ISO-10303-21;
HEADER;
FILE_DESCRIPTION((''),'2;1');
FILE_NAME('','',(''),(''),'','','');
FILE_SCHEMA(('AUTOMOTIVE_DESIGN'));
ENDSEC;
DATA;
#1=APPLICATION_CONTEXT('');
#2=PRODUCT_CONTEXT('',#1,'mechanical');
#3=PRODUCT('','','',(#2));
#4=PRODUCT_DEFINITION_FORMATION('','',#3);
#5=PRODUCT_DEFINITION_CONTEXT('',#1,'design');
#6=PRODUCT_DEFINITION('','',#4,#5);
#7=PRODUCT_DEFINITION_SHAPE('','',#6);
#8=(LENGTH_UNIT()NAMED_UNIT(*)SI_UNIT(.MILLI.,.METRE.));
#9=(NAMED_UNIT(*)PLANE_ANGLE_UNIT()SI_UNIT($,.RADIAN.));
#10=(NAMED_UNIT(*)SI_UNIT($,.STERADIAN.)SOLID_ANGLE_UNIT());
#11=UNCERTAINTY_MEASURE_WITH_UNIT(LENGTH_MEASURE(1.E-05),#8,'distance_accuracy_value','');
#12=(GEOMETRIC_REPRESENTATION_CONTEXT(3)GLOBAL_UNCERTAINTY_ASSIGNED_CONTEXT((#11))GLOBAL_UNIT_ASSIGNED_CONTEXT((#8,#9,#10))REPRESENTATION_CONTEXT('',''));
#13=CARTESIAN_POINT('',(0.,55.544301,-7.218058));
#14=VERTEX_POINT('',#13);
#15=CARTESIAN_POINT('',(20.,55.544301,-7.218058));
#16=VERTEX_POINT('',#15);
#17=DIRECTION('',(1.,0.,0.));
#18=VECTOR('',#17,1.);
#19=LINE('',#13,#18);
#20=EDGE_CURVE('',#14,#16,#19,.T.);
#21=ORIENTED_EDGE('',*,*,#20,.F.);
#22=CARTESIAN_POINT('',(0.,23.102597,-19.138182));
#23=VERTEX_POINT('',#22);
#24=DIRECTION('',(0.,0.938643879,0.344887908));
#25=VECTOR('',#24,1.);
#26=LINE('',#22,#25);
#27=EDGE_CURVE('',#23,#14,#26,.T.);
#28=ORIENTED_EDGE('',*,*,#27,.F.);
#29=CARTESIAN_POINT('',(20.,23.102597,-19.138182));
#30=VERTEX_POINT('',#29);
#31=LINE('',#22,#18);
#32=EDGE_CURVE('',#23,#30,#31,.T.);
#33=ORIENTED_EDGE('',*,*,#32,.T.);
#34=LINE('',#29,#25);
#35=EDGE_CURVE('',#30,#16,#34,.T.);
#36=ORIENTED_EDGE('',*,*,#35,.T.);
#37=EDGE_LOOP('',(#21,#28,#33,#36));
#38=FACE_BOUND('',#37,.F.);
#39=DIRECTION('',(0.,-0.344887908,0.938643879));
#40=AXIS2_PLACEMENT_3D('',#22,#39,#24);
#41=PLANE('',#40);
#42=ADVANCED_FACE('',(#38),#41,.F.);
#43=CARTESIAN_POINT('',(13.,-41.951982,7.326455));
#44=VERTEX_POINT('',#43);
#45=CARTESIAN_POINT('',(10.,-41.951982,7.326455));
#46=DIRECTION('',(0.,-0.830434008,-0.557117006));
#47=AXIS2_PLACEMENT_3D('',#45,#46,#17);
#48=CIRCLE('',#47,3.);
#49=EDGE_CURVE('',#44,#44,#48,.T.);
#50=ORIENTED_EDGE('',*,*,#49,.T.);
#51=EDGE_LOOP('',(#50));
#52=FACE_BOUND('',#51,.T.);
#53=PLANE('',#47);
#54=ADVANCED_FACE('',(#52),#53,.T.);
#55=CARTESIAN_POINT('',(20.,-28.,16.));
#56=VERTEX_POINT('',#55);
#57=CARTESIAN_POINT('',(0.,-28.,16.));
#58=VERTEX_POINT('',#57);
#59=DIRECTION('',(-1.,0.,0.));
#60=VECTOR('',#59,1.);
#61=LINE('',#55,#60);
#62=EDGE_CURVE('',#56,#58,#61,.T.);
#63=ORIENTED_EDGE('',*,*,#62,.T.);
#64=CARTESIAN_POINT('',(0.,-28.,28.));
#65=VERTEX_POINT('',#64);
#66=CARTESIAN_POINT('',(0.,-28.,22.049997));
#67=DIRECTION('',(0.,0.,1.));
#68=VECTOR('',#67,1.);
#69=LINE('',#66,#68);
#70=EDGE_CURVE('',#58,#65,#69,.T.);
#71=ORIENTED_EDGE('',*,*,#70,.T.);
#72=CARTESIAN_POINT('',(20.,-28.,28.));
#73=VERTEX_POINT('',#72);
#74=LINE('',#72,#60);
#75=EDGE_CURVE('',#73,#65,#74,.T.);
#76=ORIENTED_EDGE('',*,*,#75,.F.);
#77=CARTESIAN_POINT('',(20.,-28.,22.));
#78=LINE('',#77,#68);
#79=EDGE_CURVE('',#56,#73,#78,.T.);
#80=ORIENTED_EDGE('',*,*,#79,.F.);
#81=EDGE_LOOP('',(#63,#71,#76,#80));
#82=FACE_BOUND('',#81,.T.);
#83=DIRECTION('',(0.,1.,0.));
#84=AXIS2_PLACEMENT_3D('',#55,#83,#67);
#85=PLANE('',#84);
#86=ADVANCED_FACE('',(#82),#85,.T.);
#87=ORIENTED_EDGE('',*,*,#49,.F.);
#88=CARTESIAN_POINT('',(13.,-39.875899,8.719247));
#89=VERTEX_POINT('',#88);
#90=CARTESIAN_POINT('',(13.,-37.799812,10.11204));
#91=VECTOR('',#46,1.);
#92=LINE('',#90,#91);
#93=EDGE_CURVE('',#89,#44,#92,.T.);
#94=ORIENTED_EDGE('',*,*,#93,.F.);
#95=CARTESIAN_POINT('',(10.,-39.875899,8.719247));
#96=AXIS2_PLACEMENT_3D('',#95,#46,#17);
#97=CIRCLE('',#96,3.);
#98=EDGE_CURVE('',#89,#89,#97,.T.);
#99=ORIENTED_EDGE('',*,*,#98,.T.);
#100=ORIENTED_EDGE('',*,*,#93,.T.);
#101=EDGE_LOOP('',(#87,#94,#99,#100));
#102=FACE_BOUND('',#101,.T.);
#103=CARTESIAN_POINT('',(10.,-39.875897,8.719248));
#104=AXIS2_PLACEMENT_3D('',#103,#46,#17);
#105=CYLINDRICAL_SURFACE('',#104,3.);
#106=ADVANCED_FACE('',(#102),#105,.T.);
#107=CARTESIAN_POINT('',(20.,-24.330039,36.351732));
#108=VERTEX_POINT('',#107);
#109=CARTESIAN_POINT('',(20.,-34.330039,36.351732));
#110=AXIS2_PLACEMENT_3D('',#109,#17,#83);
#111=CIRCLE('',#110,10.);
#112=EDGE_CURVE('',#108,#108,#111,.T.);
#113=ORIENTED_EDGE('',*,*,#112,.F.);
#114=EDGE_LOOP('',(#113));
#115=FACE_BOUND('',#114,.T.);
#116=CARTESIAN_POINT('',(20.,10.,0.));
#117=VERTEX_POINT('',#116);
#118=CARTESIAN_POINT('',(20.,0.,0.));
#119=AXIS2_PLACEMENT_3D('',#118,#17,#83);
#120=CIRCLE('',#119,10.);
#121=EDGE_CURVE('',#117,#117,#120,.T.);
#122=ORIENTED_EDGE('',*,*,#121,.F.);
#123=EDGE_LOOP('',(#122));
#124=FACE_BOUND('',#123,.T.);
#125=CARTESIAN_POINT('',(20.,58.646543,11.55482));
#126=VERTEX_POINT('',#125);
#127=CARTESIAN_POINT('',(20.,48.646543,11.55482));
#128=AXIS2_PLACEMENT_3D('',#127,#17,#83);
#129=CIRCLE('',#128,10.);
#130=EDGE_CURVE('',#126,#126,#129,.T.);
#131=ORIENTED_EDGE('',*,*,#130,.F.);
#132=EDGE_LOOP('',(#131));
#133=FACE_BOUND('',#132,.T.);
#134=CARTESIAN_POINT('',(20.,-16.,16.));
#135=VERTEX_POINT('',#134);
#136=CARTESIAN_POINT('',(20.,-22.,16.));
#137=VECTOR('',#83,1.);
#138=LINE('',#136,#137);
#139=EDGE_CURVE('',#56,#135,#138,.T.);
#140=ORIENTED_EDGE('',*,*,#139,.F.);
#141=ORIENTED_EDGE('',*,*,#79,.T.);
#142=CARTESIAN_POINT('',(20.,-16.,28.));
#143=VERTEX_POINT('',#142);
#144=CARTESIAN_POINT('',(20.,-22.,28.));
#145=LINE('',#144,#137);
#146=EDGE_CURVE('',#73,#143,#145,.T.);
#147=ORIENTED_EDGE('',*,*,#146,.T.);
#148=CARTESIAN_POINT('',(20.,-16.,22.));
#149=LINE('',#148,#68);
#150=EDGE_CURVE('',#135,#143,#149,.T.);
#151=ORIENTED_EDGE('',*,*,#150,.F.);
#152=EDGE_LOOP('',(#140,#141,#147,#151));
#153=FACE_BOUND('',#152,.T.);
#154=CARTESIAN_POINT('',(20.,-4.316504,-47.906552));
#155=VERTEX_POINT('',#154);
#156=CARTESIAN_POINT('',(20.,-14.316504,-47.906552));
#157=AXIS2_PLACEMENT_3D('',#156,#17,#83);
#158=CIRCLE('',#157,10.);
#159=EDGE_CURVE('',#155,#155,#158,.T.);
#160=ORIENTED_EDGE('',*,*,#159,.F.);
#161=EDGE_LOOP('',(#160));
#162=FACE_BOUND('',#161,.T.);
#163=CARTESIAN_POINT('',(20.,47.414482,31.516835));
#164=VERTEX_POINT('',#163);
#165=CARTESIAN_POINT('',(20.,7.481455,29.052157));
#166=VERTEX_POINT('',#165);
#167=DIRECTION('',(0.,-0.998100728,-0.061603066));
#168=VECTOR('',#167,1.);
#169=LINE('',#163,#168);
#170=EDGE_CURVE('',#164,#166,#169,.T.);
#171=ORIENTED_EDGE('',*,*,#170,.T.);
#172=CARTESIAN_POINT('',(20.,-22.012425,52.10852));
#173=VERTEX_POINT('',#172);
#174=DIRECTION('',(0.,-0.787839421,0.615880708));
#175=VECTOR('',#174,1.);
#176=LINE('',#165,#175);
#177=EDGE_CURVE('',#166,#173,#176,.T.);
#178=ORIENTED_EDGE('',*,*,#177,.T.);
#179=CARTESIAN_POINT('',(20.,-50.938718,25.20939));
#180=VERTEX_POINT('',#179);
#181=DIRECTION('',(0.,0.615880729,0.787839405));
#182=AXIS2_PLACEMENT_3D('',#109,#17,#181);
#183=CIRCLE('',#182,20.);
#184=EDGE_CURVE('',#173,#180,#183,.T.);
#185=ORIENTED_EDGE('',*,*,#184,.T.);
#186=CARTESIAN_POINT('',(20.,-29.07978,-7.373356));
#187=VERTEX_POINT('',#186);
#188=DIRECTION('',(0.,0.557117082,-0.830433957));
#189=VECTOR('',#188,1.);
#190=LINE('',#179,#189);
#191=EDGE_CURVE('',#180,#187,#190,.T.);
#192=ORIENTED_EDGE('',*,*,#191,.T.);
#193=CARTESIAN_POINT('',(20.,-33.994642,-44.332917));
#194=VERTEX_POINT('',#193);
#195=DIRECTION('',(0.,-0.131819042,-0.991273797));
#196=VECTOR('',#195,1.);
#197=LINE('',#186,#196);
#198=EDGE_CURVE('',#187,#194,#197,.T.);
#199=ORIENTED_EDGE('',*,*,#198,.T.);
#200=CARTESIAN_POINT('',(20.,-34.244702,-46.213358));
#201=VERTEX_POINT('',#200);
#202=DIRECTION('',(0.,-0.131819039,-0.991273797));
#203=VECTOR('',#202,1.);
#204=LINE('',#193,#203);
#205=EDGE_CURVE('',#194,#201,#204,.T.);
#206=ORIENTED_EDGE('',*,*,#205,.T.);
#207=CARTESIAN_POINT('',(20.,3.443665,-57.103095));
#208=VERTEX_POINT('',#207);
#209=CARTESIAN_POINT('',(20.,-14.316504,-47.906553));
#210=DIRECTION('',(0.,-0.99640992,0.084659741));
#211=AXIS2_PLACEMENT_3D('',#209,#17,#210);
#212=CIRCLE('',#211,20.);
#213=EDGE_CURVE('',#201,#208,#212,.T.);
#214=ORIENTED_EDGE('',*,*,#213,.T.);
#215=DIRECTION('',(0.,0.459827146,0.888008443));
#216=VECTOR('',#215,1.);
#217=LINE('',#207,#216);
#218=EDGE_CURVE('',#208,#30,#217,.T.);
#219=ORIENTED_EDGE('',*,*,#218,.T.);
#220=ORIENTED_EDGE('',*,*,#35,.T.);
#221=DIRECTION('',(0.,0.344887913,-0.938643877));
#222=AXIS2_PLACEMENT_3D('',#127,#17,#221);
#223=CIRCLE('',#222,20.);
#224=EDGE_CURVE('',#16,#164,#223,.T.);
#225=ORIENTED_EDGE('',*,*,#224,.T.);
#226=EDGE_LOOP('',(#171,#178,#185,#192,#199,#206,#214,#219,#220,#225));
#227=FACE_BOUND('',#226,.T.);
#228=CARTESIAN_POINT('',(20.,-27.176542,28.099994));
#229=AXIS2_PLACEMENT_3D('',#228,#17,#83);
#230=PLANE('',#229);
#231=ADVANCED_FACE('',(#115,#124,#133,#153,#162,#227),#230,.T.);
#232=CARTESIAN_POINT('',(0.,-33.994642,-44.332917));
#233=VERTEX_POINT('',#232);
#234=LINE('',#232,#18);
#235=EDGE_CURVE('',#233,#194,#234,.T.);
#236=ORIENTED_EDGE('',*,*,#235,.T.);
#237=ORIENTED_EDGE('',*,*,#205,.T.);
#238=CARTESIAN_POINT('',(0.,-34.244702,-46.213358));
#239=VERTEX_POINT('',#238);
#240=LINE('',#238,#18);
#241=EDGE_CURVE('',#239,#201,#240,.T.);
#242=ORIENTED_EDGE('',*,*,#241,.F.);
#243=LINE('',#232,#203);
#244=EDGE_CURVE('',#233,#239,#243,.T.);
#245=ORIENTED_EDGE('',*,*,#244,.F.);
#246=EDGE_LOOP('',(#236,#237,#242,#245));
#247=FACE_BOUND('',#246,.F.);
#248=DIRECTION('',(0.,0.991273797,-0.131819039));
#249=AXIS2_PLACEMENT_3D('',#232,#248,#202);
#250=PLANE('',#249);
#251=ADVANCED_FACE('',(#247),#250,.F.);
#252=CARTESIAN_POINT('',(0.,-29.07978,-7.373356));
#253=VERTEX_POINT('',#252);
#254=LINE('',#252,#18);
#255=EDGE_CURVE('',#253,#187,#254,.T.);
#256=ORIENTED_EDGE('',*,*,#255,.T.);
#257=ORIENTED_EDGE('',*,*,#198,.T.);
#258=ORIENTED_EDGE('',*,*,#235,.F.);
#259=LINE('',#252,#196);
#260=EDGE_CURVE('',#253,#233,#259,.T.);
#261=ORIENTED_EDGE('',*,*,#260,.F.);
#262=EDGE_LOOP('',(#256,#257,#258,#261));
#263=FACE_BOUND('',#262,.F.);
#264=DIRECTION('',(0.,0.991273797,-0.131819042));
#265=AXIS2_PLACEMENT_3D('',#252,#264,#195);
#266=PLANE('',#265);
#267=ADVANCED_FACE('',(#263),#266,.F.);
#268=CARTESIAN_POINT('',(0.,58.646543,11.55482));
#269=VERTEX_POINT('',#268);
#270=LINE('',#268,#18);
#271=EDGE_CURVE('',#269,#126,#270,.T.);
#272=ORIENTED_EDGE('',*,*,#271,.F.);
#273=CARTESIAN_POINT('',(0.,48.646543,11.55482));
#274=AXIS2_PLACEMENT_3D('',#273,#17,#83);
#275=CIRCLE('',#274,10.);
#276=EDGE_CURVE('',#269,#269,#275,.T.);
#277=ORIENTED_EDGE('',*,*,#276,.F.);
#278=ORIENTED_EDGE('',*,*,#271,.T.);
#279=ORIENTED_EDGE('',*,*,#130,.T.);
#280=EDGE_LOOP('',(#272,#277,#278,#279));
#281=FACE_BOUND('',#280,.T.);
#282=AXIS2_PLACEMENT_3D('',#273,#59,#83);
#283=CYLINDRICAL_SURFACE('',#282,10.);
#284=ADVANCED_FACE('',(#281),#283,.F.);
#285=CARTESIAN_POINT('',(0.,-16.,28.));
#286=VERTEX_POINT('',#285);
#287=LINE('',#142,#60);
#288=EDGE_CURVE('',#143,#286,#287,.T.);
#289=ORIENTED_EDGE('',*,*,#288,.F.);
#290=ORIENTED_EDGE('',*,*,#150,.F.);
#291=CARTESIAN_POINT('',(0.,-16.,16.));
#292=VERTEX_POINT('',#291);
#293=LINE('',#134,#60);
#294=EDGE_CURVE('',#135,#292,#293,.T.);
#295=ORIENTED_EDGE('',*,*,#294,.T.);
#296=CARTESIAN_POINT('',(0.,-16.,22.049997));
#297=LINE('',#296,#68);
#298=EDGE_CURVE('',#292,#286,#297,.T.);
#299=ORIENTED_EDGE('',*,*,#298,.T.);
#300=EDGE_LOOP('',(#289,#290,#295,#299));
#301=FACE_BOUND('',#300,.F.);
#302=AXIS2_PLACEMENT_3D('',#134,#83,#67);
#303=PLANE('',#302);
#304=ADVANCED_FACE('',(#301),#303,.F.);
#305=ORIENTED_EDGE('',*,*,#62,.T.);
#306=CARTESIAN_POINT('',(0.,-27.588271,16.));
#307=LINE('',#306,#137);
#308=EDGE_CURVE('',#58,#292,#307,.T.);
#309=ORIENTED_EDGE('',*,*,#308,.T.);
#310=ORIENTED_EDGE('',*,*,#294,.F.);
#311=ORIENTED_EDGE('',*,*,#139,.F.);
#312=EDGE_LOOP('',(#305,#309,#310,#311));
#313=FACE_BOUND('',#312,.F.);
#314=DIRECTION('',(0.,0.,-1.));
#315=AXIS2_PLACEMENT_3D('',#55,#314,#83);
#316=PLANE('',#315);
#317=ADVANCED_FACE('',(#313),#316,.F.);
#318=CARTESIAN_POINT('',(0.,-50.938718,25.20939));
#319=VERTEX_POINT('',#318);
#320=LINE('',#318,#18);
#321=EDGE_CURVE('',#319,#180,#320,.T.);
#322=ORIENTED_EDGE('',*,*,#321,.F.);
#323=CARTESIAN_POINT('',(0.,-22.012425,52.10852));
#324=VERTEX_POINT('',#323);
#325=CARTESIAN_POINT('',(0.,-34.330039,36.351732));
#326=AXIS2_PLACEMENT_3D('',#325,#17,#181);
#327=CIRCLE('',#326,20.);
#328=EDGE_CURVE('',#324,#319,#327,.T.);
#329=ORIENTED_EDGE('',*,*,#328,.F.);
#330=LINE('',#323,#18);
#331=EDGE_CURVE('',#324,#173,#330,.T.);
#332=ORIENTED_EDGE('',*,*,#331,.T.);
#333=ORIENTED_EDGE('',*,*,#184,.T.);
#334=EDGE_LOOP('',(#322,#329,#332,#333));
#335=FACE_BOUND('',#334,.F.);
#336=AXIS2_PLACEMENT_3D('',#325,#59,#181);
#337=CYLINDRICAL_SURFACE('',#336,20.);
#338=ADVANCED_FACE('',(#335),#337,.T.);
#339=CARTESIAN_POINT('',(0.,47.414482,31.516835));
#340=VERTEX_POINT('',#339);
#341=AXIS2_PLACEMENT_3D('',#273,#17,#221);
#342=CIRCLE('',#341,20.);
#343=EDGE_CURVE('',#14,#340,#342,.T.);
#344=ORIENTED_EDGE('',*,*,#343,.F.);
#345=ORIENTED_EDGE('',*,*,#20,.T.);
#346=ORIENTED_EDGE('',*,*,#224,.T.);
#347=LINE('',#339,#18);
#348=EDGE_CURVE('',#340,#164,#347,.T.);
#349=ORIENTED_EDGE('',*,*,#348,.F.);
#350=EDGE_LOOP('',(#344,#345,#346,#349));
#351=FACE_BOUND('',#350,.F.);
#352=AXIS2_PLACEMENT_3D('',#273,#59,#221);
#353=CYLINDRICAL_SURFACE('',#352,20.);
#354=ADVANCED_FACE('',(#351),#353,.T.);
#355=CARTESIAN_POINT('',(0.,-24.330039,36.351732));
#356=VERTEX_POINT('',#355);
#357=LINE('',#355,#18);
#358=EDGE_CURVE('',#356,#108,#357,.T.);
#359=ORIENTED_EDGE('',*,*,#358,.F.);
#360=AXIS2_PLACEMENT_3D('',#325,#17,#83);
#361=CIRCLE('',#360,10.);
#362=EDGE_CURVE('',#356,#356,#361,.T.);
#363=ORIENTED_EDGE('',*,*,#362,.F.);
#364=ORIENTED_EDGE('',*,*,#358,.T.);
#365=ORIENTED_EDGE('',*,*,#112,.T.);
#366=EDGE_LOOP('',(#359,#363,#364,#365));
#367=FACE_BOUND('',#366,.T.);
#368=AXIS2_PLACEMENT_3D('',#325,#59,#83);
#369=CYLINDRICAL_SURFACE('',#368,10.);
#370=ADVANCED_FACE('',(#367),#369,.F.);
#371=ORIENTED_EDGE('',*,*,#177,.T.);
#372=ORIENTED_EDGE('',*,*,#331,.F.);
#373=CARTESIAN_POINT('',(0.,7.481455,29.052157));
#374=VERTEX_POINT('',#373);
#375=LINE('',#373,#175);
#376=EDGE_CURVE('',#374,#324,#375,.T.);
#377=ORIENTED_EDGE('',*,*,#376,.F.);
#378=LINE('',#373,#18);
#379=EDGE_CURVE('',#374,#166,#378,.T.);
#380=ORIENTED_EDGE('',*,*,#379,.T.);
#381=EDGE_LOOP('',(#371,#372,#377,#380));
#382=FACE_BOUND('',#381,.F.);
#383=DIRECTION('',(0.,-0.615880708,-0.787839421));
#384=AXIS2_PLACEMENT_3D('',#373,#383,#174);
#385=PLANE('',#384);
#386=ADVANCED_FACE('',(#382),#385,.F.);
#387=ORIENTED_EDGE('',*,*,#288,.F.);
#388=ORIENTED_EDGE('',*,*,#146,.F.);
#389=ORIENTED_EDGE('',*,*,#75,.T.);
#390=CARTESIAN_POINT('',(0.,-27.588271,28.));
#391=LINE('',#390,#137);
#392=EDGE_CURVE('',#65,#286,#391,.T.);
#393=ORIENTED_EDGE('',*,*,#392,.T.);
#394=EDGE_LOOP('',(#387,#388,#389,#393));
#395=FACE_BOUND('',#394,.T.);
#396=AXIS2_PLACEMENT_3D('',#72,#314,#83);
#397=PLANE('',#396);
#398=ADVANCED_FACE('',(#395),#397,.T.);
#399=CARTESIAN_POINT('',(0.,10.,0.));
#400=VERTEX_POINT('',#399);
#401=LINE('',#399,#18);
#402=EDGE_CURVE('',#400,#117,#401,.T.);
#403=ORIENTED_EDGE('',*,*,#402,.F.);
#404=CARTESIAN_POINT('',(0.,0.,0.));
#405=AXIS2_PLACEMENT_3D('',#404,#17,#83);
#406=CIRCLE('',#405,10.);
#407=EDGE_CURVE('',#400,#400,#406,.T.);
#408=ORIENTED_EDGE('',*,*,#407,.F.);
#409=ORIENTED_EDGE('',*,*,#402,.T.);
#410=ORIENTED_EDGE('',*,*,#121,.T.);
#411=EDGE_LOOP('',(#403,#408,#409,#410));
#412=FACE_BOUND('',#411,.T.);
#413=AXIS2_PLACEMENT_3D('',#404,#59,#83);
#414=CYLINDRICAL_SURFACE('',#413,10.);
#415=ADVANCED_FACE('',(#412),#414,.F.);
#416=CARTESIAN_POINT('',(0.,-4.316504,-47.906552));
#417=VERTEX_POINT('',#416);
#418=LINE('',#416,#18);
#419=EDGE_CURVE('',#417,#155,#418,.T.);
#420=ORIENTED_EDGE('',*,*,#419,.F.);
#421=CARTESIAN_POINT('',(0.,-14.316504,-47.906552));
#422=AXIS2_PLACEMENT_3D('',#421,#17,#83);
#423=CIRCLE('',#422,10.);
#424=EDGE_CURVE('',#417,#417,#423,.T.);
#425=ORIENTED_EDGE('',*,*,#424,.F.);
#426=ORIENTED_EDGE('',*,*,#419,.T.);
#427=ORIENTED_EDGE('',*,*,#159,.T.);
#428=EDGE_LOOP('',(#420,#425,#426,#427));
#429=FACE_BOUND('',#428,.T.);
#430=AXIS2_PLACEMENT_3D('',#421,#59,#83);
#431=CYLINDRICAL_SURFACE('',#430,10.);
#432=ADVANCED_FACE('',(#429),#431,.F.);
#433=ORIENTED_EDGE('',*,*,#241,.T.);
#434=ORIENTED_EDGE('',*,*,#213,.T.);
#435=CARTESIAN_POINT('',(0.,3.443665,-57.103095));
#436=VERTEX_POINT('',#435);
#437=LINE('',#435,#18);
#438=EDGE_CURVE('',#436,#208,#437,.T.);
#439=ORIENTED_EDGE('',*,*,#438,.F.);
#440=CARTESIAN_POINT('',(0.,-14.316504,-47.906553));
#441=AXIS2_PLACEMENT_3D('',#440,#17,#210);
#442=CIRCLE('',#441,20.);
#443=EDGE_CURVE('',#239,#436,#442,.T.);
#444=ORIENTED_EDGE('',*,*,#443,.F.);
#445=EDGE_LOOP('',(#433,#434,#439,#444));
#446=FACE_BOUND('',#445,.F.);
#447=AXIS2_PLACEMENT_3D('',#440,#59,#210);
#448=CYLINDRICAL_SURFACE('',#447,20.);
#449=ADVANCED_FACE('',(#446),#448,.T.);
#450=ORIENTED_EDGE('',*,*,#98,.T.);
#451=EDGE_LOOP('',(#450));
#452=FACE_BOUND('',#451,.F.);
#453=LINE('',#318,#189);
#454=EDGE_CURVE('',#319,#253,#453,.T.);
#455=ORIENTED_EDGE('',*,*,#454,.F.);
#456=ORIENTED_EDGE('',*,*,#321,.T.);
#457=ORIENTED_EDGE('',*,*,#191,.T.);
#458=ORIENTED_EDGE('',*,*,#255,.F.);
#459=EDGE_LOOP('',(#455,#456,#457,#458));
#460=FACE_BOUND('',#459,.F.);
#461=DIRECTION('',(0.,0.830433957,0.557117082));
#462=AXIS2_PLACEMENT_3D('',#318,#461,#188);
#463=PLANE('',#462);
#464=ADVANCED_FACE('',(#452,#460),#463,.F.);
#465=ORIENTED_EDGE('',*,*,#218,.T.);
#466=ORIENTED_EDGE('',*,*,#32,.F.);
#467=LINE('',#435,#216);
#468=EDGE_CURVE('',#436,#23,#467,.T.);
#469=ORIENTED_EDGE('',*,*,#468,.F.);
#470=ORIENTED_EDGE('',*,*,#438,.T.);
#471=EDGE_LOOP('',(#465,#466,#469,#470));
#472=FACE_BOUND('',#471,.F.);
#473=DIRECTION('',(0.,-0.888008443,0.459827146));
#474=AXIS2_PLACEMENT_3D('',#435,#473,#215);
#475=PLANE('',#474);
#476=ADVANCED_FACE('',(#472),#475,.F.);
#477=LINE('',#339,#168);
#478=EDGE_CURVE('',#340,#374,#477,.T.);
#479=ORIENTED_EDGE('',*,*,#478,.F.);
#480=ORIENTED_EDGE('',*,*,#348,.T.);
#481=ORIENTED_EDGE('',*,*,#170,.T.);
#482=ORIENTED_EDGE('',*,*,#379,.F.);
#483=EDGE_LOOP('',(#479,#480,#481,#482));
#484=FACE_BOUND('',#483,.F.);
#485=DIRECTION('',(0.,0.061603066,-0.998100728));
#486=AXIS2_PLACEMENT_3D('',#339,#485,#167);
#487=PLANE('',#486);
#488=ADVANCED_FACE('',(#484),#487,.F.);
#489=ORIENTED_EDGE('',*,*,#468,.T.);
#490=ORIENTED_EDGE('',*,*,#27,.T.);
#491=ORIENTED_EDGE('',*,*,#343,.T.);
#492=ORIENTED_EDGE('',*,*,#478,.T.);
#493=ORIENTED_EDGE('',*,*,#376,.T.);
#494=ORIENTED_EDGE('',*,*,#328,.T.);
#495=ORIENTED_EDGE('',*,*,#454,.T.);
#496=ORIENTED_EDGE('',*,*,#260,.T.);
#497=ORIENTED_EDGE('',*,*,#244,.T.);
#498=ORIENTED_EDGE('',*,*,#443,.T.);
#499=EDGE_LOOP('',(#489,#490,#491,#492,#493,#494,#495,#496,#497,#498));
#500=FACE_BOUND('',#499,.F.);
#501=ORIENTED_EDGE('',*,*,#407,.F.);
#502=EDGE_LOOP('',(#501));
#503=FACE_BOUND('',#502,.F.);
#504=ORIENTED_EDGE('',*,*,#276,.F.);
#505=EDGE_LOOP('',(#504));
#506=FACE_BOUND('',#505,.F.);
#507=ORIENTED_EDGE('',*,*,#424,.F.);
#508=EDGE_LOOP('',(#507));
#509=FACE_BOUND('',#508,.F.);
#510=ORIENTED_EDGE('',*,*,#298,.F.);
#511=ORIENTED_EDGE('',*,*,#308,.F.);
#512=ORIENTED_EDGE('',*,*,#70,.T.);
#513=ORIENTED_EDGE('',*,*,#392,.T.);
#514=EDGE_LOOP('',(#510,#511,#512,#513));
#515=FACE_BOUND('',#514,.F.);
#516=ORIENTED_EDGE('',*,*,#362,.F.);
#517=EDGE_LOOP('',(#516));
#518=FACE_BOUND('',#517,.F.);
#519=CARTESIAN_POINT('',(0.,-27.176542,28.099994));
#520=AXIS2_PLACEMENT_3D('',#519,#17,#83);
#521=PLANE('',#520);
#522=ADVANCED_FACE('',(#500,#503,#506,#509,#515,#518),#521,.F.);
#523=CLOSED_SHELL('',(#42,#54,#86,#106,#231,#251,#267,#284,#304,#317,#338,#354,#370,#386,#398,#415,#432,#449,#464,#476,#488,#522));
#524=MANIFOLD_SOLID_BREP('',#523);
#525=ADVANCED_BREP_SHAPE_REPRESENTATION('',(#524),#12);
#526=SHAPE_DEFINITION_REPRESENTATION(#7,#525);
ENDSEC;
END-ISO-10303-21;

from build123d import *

# Parameters (mm, degrees)
F0_R     = 10
F1_DEPTH = 20
F2_R     = 3
F3_DEPTH = 2.5
F4_W     = 12
F4_H     = 12
F5_DEPTH = 30


with BuildPart() as f1:
    # F0 (on Right) → F1 (new body)
    with BuildSketch(Plane.YZ):
        with BuildLine():
            Line((7.481455, 29.052157), (-22.012425, 52.10852))
            ThreePointArc((-22.012425, 52.10852), (-47.949661, 50.997752), (-50.938718, 25.20939))
            Line((-50.938718, 25.20939), (-29.07978, -7.373356))
            ThreePointArc((-29.07978, -7.373356), (-21.17372, 21.252614), (7.481455, 29.052157))
        make_face()
        with Locations((-34.330039, 36.351732)):
            Circle(F0_R, mode=Mode.SUBTRACT)
        with BuildLine():
            Line((47.414482, 31.516835), (7.481455, 29.052157))
            ThreePointArc((7.481455, 29.052157), (23.711217, 18.378742), (30, 0))
            ThreePointArc((30, 0), (28.223022, -10.17158), (23.102597, -19.138182))
            Line((23.102597, -19.138182), (55.544301, -7.218058))
            ThreePointArc((55.544301, -7.218058), (68.220071, 15.662983), (47.414482, 31.516835))
        make_face()
        with Locations((48.646543, 11.55482)):
            Circle(F0_R, mode=Mode.SUBTRACT)
        with BuildLine():
            ThreePointArc((23.102597, -19.138182), (-6.598065, -29.265432), (-29.07978, -7.373356))
            Line((-29.07978, -7.373356), (-33.994642, -44.332917))
            Line((-33.994642, -44.332917), (-34.244702, -46.213358))
            ThreePointArc((-34.244702, -46.213358), (-19.868232, -67.120566), (3.443665, -57.103095))
            Line((3.443665, -57.103095), (23.102597, -19.138182))
        make_face()
        with Locations((-14.316504, -47.906552)):
            Circle(F0_R, mode=Mode.SUBTRACT)
        with BuildLine():
            ThreePointArc((30, 0), (23.711217, 18.378742), (7.481455, 29.052157))
            ThreePointArc((7.481455, 29.052157), (-21.17372, 21.252614), (-29.07978, -7.373356))
            ThreePointArc((-29.07978, -7.373356), (-6.598065, -29.265432), (23.102597, -19.138182))
            ThreePointArc((23.102597, -19.138182), (28.223022, -10.17158), (30, 0))
        make_face()
        Circle(F0_R, mode=Mode.SUBTRACT)
    extrude(amount=F1_DEPTH)

    # F2 (on face) → F3 (join, symmetric)
    with BuildSketch(Plane(origin=(0, -23.46529, -15.742268), x_dir=(1, 0, 0), z_dir=(0, -0.830434, -0.557117))):
        with Locations((10, 29.456303)):
            Circle(F2_R)
    extrude(amount=F3_DEPTH, both=True)

    # F4 (on face) → F5 (cut)
    with BuildSketch(Plane.YZ.offset(20)):
        with Locations((-22, 22)):
            Rectangle(F4_W, F4_H)
    extrude(amount=-F5_DEPTH, mode=Mode.SUBTRACT)


solid = f1.part
